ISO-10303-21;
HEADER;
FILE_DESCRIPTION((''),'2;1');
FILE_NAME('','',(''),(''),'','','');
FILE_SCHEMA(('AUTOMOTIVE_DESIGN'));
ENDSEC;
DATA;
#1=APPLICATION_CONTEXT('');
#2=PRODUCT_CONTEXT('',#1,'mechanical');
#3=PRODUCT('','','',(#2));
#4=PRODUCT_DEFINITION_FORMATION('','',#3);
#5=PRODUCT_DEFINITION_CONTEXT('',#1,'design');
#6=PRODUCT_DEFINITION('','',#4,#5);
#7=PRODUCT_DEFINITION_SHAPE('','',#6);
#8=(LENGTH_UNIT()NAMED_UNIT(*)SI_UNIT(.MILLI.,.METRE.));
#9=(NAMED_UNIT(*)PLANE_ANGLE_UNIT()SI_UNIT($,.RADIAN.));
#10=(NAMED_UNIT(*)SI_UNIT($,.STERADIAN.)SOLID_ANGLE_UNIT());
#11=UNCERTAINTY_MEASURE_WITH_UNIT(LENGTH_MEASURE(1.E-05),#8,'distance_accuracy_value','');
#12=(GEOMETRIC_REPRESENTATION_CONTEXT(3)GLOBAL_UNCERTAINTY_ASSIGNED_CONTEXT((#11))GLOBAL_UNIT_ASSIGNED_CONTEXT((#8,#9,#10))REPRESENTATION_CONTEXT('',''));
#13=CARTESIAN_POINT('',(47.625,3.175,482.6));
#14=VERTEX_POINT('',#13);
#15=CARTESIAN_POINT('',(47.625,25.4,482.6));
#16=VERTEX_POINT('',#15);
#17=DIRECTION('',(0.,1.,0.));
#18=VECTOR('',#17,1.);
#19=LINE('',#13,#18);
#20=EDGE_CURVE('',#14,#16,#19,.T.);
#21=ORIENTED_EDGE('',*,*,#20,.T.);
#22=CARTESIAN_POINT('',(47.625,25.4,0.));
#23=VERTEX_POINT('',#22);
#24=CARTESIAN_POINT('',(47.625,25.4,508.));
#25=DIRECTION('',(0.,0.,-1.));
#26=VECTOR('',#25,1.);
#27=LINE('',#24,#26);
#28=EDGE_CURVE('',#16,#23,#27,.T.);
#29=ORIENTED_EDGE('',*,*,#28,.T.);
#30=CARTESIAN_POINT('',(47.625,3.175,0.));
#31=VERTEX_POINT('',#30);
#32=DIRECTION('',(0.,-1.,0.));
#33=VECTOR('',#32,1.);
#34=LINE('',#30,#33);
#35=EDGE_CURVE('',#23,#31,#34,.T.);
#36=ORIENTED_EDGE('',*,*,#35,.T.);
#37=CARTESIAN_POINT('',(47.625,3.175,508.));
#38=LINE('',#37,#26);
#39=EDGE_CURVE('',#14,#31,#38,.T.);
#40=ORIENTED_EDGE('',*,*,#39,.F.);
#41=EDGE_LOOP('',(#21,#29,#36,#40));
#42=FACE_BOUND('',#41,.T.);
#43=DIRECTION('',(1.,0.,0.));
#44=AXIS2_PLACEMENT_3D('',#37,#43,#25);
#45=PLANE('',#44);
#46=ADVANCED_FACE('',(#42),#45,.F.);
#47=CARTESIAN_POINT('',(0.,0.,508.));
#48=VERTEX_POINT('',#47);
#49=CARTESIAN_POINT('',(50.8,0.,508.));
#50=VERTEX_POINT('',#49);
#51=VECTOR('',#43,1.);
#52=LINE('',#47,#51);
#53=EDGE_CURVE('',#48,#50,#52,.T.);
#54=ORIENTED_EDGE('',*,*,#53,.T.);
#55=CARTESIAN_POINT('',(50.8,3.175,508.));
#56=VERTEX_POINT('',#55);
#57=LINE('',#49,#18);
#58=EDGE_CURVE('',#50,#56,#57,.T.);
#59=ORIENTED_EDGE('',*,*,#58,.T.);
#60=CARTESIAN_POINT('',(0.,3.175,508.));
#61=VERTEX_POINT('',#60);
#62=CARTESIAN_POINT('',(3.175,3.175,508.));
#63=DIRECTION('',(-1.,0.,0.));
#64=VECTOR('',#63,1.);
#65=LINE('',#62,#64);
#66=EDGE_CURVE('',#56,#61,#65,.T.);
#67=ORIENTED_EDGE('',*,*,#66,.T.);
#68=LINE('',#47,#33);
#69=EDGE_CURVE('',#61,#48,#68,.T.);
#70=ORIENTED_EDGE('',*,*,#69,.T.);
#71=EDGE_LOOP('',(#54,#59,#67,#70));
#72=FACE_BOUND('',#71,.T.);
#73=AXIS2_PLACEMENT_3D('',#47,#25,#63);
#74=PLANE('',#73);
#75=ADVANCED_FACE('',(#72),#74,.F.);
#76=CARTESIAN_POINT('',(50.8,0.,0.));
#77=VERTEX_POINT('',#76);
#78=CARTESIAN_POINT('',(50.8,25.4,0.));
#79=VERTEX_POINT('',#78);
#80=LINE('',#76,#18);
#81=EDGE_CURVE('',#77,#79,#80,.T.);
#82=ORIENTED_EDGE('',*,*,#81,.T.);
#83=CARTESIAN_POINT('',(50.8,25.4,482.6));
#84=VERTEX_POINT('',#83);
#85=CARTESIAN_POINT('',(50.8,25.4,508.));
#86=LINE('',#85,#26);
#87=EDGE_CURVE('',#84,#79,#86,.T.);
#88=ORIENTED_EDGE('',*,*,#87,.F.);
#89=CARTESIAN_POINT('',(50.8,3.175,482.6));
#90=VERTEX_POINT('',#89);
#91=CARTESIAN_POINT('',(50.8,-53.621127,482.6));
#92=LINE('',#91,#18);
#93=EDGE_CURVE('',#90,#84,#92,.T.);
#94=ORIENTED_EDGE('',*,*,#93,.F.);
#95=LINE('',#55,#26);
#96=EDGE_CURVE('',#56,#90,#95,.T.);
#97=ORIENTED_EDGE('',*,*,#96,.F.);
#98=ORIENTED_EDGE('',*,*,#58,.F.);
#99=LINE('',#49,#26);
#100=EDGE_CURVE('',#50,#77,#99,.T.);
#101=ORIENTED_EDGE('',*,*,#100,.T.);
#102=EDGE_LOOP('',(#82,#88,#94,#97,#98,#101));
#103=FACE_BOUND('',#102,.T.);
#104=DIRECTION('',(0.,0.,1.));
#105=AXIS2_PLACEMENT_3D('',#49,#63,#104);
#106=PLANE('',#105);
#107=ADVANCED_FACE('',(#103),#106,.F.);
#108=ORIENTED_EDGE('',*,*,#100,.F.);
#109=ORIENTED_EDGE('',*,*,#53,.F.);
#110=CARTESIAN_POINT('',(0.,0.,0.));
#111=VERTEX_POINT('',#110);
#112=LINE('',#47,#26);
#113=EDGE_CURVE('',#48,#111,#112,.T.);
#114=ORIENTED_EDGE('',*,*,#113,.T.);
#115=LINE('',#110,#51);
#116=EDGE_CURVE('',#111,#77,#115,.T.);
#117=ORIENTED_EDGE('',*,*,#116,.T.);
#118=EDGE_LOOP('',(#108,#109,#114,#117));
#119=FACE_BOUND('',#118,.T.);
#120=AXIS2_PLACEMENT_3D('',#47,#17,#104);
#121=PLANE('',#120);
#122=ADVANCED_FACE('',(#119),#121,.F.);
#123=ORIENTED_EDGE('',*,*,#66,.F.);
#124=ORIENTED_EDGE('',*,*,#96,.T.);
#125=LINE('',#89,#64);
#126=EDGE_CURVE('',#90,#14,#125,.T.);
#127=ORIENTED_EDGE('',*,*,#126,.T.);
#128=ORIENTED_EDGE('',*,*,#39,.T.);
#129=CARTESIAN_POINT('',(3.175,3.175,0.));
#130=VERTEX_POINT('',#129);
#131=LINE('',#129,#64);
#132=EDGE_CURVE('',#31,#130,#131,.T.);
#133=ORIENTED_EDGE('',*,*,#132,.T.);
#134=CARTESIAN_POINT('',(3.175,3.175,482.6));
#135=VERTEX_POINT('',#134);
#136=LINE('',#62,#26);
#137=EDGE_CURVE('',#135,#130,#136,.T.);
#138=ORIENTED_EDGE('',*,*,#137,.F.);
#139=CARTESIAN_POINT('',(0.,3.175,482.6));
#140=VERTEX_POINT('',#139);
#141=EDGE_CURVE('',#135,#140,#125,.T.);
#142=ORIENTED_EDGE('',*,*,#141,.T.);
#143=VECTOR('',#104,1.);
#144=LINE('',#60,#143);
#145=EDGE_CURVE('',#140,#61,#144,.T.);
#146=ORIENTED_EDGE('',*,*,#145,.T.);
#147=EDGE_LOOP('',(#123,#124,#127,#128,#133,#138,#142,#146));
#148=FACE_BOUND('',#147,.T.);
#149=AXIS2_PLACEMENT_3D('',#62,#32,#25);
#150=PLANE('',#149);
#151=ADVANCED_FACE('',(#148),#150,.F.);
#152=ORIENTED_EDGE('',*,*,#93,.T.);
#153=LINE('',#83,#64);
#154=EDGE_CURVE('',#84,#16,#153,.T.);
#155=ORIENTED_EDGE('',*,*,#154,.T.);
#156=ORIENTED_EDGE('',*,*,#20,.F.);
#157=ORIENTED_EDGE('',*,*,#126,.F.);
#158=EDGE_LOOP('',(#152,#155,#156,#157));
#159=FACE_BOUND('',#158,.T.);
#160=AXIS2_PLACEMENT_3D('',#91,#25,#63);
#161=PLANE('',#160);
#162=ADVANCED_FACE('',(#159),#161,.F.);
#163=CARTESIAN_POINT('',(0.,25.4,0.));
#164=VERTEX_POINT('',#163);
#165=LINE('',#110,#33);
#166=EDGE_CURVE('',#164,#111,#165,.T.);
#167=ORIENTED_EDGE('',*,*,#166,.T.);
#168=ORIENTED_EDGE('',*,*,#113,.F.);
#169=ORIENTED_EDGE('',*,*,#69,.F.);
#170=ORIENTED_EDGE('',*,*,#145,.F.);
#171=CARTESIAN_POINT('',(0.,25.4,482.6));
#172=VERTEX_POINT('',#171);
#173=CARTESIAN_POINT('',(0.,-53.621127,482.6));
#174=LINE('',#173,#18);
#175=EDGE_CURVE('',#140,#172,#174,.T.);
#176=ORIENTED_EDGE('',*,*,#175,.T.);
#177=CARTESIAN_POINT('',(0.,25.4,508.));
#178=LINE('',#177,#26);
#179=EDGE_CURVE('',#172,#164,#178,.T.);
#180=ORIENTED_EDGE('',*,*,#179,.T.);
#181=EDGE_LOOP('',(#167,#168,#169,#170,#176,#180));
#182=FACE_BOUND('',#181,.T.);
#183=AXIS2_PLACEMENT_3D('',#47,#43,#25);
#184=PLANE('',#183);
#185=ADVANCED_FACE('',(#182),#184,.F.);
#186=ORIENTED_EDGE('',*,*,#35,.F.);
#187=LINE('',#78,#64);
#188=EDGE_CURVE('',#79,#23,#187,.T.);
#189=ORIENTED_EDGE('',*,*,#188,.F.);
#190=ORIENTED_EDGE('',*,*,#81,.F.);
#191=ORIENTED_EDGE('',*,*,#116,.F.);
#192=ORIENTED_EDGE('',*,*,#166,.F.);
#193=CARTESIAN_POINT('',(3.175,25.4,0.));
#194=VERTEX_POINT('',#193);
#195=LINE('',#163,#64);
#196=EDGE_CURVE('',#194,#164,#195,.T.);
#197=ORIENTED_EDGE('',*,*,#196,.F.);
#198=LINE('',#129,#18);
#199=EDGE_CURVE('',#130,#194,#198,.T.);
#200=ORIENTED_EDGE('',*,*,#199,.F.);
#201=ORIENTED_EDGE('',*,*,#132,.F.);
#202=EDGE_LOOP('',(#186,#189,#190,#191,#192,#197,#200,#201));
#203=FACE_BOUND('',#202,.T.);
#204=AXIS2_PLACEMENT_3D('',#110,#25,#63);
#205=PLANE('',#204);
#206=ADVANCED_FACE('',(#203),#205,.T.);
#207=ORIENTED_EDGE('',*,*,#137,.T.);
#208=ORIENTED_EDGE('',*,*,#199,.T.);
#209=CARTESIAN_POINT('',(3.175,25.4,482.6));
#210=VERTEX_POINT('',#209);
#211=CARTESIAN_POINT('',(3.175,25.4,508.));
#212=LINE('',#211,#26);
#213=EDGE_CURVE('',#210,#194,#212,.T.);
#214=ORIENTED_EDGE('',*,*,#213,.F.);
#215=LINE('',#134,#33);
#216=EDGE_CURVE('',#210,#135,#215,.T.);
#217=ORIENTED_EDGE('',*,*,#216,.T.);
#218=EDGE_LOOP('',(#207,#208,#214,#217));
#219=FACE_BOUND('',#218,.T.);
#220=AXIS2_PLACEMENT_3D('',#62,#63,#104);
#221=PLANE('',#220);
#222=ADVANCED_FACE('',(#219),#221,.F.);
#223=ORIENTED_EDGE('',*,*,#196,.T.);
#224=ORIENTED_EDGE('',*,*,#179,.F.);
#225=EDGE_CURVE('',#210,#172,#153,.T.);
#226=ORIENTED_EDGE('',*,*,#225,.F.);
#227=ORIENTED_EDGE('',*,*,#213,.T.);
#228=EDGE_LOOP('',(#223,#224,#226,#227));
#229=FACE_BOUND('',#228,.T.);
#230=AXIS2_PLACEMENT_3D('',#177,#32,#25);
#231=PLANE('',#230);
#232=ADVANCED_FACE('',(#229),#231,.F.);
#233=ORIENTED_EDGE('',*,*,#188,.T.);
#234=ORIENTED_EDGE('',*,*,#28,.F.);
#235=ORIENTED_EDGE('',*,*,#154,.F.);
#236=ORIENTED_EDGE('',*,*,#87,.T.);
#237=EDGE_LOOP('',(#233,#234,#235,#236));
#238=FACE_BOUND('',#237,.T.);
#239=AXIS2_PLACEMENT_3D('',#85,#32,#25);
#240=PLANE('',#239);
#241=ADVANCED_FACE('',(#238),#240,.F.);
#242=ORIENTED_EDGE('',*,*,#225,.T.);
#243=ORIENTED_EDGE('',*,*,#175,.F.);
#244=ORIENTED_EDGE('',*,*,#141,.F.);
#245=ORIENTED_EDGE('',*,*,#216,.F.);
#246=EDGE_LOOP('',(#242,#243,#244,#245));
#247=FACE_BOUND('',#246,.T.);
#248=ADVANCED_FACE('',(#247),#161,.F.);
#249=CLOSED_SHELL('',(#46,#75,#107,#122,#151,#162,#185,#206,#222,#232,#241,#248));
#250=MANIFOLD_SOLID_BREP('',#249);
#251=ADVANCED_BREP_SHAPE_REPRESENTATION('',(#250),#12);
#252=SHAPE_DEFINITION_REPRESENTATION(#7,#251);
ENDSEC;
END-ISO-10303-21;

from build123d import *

# Parameters (mm, degrees)
BOSS_EXTRUDE1_DEPTH = 508
SKETCH2_W           = 50.8
SKETCH2_H           = 25.4
CUT_EXTRUDE1_DEPTH  = 22.225


with BuildPart() as part:
    # Sketch1 → Boss-Extrude1 (new body)
    with BuildSketch(Plane.XY):
        Polygon((3.175, 3.175), (3.175, 25.4), (0, 25.4), (0, 0), (50.8, 0), (50.8, 25.4), (47.625, 25.4), (47.625, 3.175), align=None)
    extrude(amount=BOSS_EXTRUDE1_DEPTH)

    # Sketch2 → Cut-Extrude1 (cut)
    with BuildSketch(Plane(origin=(0, 25.4, 0), x_dir=(1, 0, 0), z_dir=(0, 1, 0))):
        with Locations((25.4, -495.3)):
            Rectangle(SKETCH2_W, SKETCH2_H)
    extrude(amount=-CUT_EXTRUDE1_DEPTH, mode=Mode.SUBTRACT)


solid = part.part
